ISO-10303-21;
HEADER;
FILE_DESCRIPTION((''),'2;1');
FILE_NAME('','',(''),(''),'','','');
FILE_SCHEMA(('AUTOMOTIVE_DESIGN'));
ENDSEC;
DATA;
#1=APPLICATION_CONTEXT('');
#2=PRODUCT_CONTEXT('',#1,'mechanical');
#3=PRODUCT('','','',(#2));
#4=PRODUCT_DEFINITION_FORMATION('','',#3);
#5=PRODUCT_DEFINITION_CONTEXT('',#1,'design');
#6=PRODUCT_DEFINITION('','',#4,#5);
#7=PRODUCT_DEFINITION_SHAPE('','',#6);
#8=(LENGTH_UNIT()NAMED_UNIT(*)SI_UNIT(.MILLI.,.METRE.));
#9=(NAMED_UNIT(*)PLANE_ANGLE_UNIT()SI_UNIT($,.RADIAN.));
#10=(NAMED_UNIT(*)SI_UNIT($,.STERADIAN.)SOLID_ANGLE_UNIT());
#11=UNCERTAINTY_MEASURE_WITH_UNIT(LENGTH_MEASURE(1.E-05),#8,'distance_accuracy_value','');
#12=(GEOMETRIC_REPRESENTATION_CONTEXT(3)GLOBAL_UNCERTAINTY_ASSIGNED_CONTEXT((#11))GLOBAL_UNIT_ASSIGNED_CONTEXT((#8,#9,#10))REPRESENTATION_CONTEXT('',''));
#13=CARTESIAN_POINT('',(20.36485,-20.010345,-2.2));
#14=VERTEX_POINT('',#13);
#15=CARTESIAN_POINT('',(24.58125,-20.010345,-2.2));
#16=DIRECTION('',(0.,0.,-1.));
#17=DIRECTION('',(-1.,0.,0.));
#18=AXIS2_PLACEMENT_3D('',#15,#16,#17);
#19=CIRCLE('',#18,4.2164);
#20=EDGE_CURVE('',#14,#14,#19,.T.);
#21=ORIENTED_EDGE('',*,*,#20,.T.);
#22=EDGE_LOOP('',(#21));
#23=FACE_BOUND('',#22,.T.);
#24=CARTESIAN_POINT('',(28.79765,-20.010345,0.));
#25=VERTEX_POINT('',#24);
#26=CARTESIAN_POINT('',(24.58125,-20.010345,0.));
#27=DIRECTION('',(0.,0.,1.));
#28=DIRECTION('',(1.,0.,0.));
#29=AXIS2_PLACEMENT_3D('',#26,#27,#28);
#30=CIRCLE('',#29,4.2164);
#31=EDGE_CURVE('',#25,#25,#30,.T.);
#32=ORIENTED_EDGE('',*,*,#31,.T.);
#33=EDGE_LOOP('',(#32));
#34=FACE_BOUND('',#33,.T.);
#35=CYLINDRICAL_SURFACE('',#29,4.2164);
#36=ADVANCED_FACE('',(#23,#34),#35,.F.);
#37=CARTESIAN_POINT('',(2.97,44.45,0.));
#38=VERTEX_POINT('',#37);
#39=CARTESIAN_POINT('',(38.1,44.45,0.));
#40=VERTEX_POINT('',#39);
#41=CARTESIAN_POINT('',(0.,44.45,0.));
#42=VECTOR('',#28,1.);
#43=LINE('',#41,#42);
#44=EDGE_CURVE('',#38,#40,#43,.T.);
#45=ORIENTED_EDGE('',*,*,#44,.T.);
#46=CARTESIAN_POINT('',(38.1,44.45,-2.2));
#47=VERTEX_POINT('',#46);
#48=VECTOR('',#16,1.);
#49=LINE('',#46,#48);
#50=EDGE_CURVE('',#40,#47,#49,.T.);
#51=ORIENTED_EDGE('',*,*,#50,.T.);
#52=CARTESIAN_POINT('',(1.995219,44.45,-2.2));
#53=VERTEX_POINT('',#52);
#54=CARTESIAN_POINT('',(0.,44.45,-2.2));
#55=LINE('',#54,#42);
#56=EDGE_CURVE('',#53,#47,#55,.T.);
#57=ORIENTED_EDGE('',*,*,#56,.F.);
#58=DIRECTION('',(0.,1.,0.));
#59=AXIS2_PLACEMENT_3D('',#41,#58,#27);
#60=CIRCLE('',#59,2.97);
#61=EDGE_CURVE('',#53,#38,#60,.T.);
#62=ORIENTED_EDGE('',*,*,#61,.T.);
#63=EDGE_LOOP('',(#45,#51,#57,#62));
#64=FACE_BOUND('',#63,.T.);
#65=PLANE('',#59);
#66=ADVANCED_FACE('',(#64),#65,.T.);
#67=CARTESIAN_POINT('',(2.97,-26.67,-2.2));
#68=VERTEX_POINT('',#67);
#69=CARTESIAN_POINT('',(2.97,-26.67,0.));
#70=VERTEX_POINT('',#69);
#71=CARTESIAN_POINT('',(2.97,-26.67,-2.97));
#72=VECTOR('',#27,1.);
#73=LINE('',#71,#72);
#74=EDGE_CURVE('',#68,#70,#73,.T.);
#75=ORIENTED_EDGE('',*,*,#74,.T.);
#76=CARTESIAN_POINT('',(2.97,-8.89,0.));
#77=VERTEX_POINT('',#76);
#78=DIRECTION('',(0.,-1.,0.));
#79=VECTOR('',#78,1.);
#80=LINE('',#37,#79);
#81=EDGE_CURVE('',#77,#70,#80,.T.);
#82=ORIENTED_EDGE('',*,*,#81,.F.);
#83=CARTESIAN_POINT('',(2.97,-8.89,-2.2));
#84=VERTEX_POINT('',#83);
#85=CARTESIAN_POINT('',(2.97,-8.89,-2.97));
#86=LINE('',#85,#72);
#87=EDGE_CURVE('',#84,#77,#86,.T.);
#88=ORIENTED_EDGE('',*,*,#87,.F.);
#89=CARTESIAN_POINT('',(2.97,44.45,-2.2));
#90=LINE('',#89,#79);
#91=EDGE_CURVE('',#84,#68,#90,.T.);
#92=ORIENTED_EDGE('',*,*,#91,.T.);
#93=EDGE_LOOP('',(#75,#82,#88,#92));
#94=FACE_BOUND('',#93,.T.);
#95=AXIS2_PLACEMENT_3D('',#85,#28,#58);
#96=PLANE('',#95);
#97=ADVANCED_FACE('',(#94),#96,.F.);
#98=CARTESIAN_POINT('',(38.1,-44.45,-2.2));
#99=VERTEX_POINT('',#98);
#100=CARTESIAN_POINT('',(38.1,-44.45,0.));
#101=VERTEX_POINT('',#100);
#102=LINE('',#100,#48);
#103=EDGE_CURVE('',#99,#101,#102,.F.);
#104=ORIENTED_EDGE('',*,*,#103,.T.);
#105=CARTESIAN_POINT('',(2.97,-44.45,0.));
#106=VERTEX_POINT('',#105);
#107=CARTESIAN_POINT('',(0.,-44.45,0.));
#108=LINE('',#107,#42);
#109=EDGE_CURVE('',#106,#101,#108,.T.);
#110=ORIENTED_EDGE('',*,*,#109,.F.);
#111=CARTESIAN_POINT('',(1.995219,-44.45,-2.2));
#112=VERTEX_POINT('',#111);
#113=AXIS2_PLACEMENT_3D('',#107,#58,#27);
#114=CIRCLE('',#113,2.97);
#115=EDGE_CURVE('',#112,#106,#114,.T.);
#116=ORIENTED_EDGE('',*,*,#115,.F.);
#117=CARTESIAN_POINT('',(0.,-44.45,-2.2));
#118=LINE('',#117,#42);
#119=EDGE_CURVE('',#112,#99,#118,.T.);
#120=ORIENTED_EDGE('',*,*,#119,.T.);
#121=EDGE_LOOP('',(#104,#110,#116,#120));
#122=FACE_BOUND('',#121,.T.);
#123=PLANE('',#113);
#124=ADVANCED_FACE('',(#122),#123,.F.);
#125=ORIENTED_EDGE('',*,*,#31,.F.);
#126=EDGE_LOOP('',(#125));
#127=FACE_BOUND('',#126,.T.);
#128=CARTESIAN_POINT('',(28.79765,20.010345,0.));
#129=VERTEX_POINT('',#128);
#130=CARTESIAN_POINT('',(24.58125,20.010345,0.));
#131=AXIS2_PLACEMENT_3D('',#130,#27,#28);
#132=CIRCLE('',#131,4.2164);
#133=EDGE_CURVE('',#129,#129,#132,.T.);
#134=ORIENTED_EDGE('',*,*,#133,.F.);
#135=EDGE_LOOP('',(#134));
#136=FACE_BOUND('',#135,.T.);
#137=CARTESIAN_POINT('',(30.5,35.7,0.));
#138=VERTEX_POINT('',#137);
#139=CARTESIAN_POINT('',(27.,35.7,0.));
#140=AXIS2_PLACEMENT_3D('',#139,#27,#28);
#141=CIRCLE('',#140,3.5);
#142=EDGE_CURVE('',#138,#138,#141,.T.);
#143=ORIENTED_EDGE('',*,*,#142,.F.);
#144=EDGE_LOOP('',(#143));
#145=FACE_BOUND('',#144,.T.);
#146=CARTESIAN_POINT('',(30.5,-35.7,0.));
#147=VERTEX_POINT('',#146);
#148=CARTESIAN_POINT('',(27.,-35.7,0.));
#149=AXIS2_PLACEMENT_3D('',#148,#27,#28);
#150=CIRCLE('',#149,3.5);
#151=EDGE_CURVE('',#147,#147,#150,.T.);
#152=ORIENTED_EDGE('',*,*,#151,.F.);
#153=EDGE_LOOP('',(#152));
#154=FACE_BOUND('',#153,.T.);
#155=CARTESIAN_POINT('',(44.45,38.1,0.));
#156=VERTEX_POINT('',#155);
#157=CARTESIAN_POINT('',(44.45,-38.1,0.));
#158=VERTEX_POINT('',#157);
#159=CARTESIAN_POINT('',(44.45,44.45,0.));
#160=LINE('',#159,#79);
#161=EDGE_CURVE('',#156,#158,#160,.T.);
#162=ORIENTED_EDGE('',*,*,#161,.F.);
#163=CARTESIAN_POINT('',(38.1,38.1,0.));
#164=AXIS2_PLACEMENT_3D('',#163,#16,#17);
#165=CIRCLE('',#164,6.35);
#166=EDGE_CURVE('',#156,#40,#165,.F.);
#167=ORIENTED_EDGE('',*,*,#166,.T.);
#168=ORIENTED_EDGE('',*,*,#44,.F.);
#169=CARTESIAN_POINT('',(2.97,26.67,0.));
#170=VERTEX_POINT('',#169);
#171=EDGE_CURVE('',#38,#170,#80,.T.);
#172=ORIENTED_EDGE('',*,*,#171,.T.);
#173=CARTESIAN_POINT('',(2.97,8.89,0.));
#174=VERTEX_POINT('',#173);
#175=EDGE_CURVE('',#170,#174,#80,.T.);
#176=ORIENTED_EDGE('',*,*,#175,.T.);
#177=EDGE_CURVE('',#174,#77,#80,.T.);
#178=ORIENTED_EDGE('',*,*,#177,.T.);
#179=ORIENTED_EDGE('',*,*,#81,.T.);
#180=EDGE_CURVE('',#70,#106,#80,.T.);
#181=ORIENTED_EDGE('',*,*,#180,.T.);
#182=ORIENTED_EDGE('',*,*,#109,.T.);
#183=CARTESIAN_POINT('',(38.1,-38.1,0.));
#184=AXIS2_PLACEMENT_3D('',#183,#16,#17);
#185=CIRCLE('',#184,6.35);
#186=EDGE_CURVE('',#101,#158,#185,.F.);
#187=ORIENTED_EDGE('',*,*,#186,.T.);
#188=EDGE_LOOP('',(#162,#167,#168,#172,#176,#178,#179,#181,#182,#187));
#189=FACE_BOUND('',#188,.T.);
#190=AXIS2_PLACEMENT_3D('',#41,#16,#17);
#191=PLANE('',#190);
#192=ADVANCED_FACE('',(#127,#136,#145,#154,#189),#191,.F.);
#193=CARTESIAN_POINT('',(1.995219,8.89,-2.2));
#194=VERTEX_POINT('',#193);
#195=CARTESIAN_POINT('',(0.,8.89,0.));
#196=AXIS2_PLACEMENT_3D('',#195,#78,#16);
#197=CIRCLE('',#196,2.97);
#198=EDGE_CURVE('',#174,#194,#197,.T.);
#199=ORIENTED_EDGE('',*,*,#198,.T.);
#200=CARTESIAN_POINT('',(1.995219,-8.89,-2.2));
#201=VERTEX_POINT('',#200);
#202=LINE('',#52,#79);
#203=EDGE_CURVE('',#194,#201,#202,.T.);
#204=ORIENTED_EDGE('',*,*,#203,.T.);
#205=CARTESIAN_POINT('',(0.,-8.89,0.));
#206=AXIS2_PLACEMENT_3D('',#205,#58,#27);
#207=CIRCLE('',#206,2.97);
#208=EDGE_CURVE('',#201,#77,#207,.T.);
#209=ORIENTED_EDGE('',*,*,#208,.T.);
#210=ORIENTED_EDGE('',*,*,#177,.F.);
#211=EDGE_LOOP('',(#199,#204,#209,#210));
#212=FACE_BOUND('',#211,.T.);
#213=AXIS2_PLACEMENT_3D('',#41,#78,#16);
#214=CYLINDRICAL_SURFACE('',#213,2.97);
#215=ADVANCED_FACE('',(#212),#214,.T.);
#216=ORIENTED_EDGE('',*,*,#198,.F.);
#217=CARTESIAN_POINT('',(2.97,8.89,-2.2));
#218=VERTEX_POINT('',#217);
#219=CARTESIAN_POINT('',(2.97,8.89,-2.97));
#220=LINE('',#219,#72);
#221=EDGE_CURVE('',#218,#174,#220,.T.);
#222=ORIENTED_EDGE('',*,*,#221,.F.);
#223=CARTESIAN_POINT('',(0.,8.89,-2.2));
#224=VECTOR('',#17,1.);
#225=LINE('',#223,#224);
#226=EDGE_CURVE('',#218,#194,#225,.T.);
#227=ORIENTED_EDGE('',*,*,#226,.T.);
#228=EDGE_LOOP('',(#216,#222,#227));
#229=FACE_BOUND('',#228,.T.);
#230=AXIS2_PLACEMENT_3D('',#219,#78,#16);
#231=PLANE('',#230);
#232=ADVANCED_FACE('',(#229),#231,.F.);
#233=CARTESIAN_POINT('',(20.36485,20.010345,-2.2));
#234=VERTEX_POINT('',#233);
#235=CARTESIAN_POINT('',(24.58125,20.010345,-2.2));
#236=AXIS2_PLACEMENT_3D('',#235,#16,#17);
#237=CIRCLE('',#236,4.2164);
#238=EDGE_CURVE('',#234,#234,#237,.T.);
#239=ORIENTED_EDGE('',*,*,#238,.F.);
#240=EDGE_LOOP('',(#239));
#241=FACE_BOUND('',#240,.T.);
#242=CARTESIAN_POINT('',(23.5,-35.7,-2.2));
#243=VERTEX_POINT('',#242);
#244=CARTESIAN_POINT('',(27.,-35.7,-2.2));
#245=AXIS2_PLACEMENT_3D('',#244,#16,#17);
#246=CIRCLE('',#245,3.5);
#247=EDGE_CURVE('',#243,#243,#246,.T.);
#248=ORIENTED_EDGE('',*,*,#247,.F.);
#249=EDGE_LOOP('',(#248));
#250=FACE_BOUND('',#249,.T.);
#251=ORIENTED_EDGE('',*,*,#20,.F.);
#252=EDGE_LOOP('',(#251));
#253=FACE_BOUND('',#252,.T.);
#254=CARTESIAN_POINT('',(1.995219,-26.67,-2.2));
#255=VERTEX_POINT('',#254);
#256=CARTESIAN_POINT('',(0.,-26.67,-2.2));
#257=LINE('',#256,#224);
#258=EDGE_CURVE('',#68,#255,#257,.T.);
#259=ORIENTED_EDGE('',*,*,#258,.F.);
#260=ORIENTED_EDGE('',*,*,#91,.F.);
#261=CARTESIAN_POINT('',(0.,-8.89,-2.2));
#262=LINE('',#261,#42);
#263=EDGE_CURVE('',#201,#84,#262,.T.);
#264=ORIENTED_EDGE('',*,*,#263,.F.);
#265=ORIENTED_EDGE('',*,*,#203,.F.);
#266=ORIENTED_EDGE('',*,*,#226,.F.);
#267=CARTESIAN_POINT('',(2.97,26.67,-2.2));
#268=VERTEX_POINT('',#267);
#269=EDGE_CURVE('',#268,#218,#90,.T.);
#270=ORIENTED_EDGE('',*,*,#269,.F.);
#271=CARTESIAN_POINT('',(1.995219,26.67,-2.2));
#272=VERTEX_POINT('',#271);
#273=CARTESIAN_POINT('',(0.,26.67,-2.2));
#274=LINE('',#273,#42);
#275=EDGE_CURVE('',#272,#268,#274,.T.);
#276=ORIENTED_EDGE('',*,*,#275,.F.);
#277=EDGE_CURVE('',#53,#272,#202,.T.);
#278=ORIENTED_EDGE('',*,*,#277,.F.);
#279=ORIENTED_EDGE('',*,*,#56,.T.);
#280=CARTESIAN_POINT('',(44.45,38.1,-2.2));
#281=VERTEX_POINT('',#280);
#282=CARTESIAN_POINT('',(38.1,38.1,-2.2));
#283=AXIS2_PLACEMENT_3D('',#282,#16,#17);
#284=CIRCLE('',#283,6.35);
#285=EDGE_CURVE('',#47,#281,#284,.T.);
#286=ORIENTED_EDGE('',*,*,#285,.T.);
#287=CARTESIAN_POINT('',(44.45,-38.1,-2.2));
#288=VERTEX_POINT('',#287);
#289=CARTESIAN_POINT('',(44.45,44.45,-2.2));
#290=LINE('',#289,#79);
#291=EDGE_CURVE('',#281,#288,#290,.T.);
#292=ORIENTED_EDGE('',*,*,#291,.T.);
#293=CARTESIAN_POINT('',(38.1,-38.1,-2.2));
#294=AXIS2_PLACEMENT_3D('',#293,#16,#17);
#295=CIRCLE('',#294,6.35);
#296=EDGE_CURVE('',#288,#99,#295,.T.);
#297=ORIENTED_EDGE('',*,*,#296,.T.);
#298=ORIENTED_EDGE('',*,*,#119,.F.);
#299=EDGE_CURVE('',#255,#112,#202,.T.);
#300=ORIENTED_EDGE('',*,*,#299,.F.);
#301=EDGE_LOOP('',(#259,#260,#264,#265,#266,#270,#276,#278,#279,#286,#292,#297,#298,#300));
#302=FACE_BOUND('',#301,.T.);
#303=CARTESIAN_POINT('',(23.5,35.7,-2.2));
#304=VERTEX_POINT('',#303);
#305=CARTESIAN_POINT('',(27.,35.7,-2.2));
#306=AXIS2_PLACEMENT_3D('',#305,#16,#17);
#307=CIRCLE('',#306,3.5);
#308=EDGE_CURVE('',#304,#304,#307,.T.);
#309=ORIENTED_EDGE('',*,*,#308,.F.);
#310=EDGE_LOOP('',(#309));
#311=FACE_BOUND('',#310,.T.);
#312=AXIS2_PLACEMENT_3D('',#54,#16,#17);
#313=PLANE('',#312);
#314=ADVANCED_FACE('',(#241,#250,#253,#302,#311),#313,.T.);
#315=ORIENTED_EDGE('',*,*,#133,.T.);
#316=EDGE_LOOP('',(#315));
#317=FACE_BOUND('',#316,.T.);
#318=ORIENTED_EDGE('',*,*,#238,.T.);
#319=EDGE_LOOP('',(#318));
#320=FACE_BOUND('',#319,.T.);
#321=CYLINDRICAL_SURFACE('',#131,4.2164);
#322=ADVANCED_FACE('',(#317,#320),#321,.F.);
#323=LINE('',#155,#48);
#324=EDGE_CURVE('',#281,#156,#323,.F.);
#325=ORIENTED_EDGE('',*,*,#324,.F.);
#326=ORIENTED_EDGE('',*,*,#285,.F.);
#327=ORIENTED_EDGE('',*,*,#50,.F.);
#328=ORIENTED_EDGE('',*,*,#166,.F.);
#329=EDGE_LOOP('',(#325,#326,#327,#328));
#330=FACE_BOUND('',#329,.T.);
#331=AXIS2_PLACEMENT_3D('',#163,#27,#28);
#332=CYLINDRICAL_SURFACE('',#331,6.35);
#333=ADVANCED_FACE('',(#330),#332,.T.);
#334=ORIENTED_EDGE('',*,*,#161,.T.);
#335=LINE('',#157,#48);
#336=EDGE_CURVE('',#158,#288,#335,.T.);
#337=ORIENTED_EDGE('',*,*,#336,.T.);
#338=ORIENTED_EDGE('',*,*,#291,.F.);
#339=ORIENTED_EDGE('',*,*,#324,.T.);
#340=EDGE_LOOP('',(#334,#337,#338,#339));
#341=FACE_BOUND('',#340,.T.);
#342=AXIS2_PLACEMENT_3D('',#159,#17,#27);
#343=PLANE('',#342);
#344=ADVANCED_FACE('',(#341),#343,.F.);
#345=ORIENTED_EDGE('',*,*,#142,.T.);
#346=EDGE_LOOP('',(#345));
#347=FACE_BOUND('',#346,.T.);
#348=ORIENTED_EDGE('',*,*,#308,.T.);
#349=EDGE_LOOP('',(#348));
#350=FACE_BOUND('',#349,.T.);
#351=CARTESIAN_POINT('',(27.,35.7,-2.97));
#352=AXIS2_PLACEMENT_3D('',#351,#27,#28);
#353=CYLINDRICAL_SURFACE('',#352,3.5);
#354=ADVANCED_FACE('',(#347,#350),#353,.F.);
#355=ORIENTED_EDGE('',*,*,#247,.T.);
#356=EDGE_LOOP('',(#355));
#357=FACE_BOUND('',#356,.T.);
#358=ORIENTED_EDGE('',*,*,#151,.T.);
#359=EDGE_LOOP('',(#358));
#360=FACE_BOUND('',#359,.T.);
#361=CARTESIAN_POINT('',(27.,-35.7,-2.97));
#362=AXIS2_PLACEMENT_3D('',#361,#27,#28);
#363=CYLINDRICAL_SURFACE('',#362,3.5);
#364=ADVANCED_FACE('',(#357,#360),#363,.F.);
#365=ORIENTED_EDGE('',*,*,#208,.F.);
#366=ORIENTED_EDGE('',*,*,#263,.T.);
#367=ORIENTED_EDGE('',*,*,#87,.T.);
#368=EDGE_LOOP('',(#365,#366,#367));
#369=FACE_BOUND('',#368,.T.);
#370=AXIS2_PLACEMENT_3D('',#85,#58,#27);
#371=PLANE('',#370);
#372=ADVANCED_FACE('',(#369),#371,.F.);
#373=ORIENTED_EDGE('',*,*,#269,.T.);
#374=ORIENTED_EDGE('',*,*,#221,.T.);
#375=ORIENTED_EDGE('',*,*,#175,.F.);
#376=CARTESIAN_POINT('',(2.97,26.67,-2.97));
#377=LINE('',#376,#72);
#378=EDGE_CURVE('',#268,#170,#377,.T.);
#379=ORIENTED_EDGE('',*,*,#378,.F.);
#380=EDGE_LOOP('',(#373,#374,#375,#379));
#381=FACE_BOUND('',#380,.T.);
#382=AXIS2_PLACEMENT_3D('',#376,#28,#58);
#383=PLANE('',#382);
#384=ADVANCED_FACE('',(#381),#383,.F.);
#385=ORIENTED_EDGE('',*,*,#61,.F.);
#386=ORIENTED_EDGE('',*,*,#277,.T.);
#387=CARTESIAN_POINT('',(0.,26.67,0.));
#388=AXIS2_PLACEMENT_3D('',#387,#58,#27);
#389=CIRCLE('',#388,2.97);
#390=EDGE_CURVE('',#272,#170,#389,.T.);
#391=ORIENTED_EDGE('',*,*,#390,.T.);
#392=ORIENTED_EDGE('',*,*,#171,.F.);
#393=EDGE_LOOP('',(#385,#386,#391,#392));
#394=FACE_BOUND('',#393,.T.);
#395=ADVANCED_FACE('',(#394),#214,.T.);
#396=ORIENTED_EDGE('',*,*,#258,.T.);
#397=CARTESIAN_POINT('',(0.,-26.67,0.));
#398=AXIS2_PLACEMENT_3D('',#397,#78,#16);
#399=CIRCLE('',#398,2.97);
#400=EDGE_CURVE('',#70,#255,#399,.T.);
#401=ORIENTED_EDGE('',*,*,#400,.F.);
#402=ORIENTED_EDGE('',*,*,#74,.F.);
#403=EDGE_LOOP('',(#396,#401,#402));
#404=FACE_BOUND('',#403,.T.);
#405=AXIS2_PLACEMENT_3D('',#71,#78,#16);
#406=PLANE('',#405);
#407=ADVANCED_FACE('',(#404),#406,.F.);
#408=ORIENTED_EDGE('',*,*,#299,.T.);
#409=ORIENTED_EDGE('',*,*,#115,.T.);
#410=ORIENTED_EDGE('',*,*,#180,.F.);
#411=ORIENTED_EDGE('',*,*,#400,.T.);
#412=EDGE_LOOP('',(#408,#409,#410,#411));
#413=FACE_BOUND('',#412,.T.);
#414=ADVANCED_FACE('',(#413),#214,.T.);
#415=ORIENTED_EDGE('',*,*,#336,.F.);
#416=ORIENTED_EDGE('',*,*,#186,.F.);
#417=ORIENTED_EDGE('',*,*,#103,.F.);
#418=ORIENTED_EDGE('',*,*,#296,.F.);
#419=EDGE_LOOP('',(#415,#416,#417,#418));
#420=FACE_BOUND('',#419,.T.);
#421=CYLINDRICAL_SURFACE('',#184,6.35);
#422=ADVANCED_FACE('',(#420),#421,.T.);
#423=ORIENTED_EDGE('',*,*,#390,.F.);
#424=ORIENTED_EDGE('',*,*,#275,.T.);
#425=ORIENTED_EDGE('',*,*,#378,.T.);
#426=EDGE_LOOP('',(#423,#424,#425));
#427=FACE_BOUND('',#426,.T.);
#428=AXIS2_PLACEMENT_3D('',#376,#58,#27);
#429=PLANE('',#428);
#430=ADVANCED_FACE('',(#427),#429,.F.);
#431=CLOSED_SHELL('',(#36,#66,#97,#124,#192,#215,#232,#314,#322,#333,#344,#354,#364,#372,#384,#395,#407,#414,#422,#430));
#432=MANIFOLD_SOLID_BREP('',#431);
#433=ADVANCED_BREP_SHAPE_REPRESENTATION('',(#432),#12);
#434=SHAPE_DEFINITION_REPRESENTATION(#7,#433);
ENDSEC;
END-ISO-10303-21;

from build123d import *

# Parameters (mm, degrees)
SKETCH1_R                = 2.97
SKETCH1_W                = 44.45
SKETCH1_H                = 2.2
BOSS_EXTRUDE1_DEPTH      = 44.45
CUT_EXTRUDE1_DEPTH       = 63.931914797
CUT_EXTRUDE1_DEPTH_BACK  = 63.931914797
SKETCH2_W                = 5.94
SKETCH2_H                = 17.78
FILLET1_R                = 6.35
SKETCH4_R                = 3.5
CUT_EXTRUDE2_DEPTH       = 63.931914797
F_5_16_CLEARANCE_HOLE1_D = 8.4328


with BuildPart() as part:
    # Sketch1 → Boss-Extrude1 (new, symmetric)
    with BuildSketch(Plane(origin=(0, 0, 0), x_dir=(1, 0, 0), z_dir=(0, 1, 0))):
        Circle(SKETCH1_R)
        with Locations((22.225, 1.1)):
            Rectangle(SKETCH1_W, SKETCH1_H)
    extrude(amount=BOSS_EXTRUDE1_DEPTH, both=True)

    # Sketch2 → Cut-Extrude1 (cut, two sides: drawn at the far end of the back side and taken through both)
    with BuildSketch(Plane.XY.offset(-CUT_EXTRUDE1_DEPTH_BACK)):
        with Locations((0, 17.78)):
            Rectangle(SKETCH2_W, SKETCH2_H)
        with Locations((0, -17.78)):
            Rectangle(SKETCH2_W, SKETCH2_H)
    extrude(amount=CUT_EXTRUDE1_DEPTH + CUT_EXTRUDE1_DEPTH_BACK, mode=Mode.SUBTRACT)

    # Fillet1
    fillet1_edges = [part.edges().sort_by_distance(p)[0] for p in [
        (44.45, 44.45, -1.1),
        (44.45, -44.45, -1.1),
    ]]
    fillet(fillet1_edges, radius=FILLET1_R)

    # Sketch4 → Cut-Extrude2 (cut, through all)
    with BuildSketch(Plane.XY):
        with Locations((27, 35.7)):
            Circle(SKETCH4_R)
        with Locations((27, -35.7)):
            Circle(SKETCH4_R)
    extrude(amount=-CUT_EXTRUDE2_DEPTH, mode=Mode.SUBTRACT)

    # 5/16 Clearance Hole1 (through all)
    with Locations(Plane.XY):
        with Locations((24.58125, 20.010345019), (24.58125, -20.010345019)):
            Hole(F_5_16_CLEARANCE_HOLE1_D / 2)


solid = part.part
